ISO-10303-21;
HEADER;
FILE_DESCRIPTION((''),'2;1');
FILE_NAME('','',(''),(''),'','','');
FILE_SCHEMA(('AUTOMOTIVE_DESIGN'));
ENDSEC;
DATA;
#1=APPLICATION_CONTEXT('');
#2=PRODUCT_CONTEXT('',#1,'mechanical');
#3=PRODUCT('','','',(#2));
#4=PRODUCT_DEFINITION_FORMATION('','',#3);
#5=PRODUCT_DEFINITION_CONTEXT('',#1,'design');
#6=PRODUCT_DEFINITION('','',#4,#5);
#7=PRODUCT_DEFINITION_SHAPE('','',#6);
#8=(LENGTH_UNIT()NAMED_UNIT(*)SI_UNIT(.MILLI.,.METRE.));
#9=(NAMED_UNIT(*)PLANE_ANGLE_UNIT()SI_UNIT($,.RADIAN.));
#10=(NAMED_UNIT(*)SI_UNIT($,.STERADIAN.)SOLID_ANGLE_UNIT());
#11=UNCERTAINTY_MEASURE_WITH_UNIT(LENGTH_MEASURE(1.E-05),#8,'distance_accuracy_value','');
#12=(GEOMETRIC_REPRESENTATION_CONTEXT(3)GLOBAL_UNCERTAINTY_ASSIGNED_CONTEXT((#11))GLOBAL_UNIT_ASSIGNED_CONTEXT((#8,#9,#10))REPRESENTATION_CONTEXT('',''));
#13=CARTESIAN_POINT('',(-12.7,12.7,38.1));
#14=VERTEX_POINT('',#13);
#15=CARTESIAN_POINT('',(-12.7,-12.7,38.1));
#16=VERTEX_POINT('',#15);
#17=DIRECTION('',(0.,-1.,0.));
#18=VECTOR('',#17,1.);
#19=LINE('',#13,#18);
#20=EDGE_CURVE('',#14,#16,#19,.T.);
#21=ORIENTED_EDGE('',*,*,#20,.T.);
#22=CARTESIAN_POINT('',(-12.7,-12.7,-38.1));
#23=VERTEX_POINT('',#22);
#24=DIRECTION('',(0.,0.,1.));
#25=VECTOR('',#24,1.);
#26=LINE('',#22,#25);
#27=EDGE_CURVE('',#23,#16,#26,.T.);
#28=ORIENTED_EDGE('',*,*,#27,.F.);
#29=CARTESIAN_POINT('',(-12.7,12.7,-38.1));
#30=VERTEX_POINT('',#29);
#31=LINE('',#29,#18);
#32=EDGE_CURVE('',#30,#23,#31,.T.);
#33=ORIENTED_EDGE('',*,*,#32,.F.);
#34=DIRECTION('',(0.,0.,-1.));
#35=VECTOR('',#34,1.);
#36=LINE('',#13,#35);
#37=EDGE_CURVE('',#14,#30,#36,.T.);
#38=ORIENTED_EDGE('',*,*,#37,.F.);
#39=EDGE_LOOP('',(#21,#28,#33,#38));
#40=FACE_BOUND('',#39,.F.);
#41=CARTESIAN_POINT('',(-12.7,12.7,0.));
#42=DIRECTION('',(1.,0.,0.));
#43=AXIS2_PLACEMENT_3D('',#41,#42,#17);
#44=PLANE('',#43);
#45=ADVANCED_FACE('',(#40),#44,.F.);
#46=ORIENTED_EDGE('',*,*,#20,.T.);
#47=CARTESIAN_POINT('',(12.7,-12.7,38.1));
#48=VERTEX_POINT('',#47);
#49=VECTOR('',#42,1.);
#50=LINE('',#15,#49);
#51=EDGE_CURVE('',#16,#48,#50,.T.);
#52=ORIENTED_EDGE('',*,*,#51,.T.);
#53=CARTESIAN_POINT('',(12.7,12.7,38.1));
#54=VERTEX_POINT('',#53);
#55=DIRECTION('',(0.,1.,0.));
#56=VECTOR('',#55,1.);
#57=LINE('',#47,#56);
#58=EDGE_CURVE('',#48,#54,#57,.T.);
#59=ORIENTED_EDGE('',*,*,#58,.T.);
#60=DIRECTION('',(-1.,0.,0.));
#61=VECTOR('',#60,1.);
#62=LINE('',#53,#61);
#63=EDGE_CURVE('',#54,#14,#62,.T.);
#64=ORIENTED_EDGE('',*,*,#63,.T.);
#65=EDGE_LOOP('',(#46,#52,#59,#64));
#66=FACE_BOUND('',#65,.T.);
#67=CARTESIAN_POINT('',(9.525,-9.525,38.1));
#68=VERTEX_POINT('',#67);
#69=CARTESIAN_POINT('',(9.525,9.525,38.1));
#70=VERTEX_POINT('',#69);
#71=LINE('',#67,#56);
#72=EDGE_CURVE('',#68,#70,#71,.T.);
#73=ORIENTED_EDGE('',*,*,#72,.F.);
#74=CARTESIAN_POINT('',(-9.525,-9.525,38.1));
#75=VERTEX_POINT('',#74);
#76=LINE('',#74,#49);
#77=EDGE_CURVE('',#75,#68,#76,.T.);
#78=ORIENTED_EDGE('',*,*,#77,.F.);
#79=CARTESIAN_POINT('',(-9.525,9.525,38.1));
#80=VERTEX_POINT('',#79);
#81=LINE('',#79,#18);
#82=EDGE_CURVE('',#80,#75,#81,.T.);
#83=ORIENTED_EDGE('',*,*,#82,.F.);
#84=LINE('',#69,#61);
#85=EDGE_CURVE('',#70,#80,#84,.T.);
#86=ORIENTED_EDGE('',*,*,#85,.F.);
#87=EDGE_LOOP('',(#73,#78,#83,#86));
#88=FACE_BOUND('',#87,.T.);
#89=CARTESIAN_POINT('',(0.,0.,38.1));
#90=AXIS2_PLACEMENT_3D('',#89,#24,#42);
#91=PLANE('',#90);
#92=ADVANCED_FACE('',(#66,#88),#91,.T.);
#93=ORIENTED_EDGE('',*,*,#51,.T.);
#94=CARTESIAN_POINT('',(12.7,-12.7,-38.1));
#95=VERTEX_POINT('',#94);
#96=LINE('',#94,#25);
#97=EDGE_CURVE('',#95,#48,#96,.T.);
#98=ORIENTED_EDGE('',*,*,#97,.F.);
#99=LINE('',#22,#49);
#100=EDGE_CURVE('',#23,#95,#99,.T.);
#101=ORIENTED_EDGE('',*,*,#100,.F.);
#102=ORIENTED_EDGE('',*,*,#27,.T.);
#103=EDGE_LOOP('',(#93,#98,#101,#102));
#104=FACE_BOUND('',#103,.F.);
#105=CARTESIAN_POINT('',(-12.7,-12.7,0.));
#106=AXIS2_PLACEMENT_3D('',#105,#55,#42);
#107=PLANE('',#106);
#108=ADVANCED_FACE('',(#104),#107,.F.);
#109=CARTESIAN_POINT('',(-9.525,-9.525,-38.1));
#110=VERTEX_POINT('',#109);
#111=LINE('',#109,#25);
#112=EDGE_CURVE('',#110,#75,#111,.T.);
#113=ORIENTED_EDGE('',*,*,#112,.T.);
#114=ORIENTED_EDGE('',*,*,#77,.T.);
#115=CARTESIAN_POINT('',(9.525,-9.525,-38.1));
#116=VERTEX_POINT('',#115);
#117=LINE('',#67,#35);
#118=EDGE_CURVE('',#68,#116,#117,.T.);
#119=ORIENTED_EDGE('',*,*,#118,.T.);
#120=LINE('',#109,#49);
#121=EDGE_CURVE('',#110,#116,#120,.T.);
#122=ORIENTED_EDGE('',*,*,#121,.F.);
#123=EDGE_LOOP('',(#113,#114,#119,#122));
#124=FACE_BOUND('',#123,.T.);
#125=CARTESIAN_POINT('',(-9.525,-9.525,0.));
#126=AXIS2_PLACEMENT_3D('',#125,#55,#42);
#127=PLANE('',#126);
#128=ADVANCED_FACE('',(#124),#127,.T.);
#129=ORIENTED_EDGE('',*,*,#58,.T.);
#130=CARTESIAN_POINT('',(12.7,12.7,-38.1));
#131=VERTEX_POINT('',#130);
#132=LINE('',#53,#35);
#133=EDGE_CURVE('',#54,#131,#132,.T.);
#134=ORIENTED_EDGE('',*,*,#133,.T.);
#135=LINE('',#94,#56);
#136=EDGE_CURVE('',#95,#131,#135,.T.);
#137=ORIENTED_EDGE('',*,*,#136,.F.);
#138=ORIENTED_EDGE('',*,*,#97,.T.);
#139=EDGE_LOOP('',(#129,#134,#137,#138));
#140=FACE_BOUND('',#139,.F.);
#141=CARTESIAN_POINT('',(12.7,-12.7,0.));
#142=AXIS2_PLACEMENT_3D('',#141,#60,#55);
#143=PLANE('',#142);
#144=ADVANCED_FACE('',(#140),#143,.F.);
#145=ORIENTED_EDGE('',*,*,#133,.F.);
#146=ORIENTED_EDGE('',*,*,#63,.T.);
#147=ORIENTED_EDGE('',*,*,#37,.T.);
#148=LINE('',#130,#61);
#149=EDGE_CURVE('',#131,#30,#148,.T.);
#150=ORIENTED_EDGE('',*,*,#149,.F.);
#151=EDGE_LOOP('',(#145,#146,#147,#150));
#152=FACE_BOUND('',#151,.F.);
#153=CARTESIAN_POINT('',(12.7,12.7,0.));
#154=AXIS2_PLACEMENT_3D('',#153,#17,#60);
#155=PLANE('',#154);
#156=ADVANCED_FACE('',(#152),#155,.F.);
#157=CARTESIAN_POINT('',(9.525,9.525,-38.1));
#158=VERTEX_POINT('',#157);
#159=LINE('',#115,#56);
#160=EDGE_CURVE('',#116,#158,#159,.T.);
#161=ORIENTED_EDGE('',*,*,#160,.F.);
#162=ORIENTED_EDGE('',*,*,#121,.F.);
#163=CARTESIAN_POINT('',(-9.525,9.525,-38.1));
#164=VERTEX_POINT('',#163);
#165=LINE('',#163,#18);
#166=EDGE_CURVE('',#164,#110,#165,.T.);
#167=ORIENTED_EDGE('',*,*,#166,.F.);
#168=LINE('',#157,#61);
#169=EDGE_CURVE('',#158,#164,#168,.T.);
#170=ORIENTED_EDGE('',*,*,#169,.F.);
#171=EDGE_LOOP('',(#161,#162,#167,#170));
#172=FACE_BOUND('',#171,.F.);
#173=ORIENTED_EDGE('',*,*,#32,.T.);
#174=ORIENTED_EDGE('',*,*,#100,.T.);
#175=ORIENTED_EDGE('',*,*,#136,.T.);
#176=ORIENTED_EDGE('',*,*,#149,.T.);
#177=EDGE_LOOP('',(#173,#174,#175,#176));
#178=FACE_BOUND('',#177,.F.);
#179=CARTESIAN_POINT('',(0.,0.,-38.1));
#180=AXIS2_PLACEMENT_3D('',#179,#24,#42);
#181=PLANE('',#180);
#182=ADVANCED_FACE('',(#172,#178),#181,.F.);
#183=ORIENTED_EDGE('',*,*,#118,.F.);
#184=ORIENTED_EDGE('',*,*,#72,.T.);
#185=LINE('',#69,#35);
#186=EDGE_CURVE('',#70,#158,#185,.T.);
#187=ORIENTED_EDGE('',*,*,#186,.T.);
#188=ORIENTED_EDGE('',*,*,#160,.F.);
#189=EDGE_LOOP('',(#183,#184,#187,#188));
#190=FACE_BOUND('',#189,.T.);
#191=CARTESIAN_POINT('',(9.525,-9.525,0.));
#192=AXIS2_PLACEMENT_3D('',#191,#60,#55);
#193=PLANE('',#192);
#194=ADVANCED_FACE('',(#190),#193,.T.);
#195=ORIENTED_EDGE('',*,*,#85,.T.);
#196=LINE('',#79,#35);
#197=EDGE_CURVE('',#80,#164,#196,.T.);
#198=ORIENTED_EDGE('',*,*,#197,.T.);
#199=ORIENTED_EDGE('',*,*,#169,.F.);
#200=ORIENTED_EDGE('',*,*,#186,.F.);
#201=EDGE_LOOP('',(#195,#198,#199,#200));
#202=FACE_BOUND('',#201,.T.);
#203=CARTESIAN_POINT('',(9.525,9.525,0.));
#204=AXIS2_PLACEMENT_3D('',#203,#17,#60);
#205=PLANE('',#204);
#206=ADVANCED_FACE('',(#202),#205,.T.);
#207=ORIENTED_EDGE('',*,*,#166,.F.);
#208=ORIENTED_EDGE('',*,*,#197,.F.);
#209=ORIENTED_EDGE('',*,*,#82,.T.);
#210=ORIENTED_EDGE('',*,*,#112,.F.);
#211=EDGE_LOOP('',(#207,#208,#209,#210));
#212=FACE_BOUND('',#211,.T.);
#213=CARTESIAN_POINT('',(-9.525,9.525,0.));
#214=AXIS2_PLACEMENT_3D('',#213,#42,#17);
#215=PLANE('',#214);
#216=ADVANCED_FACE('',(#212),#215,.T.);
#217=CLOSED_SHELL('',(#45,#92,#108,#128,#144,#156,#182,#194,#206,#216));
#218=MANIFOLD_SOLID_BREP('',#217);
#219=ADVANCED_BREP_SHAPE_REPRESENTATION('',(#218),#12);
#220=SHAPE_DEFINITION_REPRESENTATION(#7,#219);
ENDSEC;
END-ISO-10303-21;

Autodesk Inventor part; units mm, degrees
ref_plane "YZ Plane" through (0, 0, 0) normal (1, 0, 0) x (0, 1, 0)
ref_plane "XZ Plane" through (0, 0, 0) normal (0, 1, 0) x (-1, 0, 0)
ref_plane "XY Plane" through (0, 0, 0) normal (0, 0, 1) x (1, 0, 0)
sketch "Sketch1" plane through (0, 0, 0) normal (0, 0, 1) x (1, 0, 0)
  line L0 (-12.7, -12.7) -> (12.7, -12.7)
  line L1 (12.7, -12.7) -> (12.7, 12.7)
  line L2 (12.7, 12.7) -> (-12.7, 12.7)
  line L3 (-12.7, 12.7) -> (-12.7, -12.7)
  line L4 (-12.7, -12.7) -> (12.7, 12.7) construction
  line L5 (12.7, -12.7) -> (-12.7, 12.7) construction
  line L6 (-9.525, -9.525) -> (9.525, -9.525)
  line L7 (9.525, -9.525) -> (9.525, 9.525)
  line L8 (9.525, 9.525) -> (-9.525, 9.525)
  line L9 (-9.525, 9.525) -> (-9.525, -9.525)
  line L10 (-9.525, -9.525) -> (9.525, 9.525) construction
  line L11 (9.525, -9.525) -> (-9.525, 9.525) construction
  point P0 (0, 0)
  dimension "d0" = 25.4
  dimension "d1" = 25.4
  dimension "d2" = 3.175
extrude "Extrusion1" add sketch "Sketch1" along normal mid plane 76.2
properties part number "Aluminum1x1Step"
